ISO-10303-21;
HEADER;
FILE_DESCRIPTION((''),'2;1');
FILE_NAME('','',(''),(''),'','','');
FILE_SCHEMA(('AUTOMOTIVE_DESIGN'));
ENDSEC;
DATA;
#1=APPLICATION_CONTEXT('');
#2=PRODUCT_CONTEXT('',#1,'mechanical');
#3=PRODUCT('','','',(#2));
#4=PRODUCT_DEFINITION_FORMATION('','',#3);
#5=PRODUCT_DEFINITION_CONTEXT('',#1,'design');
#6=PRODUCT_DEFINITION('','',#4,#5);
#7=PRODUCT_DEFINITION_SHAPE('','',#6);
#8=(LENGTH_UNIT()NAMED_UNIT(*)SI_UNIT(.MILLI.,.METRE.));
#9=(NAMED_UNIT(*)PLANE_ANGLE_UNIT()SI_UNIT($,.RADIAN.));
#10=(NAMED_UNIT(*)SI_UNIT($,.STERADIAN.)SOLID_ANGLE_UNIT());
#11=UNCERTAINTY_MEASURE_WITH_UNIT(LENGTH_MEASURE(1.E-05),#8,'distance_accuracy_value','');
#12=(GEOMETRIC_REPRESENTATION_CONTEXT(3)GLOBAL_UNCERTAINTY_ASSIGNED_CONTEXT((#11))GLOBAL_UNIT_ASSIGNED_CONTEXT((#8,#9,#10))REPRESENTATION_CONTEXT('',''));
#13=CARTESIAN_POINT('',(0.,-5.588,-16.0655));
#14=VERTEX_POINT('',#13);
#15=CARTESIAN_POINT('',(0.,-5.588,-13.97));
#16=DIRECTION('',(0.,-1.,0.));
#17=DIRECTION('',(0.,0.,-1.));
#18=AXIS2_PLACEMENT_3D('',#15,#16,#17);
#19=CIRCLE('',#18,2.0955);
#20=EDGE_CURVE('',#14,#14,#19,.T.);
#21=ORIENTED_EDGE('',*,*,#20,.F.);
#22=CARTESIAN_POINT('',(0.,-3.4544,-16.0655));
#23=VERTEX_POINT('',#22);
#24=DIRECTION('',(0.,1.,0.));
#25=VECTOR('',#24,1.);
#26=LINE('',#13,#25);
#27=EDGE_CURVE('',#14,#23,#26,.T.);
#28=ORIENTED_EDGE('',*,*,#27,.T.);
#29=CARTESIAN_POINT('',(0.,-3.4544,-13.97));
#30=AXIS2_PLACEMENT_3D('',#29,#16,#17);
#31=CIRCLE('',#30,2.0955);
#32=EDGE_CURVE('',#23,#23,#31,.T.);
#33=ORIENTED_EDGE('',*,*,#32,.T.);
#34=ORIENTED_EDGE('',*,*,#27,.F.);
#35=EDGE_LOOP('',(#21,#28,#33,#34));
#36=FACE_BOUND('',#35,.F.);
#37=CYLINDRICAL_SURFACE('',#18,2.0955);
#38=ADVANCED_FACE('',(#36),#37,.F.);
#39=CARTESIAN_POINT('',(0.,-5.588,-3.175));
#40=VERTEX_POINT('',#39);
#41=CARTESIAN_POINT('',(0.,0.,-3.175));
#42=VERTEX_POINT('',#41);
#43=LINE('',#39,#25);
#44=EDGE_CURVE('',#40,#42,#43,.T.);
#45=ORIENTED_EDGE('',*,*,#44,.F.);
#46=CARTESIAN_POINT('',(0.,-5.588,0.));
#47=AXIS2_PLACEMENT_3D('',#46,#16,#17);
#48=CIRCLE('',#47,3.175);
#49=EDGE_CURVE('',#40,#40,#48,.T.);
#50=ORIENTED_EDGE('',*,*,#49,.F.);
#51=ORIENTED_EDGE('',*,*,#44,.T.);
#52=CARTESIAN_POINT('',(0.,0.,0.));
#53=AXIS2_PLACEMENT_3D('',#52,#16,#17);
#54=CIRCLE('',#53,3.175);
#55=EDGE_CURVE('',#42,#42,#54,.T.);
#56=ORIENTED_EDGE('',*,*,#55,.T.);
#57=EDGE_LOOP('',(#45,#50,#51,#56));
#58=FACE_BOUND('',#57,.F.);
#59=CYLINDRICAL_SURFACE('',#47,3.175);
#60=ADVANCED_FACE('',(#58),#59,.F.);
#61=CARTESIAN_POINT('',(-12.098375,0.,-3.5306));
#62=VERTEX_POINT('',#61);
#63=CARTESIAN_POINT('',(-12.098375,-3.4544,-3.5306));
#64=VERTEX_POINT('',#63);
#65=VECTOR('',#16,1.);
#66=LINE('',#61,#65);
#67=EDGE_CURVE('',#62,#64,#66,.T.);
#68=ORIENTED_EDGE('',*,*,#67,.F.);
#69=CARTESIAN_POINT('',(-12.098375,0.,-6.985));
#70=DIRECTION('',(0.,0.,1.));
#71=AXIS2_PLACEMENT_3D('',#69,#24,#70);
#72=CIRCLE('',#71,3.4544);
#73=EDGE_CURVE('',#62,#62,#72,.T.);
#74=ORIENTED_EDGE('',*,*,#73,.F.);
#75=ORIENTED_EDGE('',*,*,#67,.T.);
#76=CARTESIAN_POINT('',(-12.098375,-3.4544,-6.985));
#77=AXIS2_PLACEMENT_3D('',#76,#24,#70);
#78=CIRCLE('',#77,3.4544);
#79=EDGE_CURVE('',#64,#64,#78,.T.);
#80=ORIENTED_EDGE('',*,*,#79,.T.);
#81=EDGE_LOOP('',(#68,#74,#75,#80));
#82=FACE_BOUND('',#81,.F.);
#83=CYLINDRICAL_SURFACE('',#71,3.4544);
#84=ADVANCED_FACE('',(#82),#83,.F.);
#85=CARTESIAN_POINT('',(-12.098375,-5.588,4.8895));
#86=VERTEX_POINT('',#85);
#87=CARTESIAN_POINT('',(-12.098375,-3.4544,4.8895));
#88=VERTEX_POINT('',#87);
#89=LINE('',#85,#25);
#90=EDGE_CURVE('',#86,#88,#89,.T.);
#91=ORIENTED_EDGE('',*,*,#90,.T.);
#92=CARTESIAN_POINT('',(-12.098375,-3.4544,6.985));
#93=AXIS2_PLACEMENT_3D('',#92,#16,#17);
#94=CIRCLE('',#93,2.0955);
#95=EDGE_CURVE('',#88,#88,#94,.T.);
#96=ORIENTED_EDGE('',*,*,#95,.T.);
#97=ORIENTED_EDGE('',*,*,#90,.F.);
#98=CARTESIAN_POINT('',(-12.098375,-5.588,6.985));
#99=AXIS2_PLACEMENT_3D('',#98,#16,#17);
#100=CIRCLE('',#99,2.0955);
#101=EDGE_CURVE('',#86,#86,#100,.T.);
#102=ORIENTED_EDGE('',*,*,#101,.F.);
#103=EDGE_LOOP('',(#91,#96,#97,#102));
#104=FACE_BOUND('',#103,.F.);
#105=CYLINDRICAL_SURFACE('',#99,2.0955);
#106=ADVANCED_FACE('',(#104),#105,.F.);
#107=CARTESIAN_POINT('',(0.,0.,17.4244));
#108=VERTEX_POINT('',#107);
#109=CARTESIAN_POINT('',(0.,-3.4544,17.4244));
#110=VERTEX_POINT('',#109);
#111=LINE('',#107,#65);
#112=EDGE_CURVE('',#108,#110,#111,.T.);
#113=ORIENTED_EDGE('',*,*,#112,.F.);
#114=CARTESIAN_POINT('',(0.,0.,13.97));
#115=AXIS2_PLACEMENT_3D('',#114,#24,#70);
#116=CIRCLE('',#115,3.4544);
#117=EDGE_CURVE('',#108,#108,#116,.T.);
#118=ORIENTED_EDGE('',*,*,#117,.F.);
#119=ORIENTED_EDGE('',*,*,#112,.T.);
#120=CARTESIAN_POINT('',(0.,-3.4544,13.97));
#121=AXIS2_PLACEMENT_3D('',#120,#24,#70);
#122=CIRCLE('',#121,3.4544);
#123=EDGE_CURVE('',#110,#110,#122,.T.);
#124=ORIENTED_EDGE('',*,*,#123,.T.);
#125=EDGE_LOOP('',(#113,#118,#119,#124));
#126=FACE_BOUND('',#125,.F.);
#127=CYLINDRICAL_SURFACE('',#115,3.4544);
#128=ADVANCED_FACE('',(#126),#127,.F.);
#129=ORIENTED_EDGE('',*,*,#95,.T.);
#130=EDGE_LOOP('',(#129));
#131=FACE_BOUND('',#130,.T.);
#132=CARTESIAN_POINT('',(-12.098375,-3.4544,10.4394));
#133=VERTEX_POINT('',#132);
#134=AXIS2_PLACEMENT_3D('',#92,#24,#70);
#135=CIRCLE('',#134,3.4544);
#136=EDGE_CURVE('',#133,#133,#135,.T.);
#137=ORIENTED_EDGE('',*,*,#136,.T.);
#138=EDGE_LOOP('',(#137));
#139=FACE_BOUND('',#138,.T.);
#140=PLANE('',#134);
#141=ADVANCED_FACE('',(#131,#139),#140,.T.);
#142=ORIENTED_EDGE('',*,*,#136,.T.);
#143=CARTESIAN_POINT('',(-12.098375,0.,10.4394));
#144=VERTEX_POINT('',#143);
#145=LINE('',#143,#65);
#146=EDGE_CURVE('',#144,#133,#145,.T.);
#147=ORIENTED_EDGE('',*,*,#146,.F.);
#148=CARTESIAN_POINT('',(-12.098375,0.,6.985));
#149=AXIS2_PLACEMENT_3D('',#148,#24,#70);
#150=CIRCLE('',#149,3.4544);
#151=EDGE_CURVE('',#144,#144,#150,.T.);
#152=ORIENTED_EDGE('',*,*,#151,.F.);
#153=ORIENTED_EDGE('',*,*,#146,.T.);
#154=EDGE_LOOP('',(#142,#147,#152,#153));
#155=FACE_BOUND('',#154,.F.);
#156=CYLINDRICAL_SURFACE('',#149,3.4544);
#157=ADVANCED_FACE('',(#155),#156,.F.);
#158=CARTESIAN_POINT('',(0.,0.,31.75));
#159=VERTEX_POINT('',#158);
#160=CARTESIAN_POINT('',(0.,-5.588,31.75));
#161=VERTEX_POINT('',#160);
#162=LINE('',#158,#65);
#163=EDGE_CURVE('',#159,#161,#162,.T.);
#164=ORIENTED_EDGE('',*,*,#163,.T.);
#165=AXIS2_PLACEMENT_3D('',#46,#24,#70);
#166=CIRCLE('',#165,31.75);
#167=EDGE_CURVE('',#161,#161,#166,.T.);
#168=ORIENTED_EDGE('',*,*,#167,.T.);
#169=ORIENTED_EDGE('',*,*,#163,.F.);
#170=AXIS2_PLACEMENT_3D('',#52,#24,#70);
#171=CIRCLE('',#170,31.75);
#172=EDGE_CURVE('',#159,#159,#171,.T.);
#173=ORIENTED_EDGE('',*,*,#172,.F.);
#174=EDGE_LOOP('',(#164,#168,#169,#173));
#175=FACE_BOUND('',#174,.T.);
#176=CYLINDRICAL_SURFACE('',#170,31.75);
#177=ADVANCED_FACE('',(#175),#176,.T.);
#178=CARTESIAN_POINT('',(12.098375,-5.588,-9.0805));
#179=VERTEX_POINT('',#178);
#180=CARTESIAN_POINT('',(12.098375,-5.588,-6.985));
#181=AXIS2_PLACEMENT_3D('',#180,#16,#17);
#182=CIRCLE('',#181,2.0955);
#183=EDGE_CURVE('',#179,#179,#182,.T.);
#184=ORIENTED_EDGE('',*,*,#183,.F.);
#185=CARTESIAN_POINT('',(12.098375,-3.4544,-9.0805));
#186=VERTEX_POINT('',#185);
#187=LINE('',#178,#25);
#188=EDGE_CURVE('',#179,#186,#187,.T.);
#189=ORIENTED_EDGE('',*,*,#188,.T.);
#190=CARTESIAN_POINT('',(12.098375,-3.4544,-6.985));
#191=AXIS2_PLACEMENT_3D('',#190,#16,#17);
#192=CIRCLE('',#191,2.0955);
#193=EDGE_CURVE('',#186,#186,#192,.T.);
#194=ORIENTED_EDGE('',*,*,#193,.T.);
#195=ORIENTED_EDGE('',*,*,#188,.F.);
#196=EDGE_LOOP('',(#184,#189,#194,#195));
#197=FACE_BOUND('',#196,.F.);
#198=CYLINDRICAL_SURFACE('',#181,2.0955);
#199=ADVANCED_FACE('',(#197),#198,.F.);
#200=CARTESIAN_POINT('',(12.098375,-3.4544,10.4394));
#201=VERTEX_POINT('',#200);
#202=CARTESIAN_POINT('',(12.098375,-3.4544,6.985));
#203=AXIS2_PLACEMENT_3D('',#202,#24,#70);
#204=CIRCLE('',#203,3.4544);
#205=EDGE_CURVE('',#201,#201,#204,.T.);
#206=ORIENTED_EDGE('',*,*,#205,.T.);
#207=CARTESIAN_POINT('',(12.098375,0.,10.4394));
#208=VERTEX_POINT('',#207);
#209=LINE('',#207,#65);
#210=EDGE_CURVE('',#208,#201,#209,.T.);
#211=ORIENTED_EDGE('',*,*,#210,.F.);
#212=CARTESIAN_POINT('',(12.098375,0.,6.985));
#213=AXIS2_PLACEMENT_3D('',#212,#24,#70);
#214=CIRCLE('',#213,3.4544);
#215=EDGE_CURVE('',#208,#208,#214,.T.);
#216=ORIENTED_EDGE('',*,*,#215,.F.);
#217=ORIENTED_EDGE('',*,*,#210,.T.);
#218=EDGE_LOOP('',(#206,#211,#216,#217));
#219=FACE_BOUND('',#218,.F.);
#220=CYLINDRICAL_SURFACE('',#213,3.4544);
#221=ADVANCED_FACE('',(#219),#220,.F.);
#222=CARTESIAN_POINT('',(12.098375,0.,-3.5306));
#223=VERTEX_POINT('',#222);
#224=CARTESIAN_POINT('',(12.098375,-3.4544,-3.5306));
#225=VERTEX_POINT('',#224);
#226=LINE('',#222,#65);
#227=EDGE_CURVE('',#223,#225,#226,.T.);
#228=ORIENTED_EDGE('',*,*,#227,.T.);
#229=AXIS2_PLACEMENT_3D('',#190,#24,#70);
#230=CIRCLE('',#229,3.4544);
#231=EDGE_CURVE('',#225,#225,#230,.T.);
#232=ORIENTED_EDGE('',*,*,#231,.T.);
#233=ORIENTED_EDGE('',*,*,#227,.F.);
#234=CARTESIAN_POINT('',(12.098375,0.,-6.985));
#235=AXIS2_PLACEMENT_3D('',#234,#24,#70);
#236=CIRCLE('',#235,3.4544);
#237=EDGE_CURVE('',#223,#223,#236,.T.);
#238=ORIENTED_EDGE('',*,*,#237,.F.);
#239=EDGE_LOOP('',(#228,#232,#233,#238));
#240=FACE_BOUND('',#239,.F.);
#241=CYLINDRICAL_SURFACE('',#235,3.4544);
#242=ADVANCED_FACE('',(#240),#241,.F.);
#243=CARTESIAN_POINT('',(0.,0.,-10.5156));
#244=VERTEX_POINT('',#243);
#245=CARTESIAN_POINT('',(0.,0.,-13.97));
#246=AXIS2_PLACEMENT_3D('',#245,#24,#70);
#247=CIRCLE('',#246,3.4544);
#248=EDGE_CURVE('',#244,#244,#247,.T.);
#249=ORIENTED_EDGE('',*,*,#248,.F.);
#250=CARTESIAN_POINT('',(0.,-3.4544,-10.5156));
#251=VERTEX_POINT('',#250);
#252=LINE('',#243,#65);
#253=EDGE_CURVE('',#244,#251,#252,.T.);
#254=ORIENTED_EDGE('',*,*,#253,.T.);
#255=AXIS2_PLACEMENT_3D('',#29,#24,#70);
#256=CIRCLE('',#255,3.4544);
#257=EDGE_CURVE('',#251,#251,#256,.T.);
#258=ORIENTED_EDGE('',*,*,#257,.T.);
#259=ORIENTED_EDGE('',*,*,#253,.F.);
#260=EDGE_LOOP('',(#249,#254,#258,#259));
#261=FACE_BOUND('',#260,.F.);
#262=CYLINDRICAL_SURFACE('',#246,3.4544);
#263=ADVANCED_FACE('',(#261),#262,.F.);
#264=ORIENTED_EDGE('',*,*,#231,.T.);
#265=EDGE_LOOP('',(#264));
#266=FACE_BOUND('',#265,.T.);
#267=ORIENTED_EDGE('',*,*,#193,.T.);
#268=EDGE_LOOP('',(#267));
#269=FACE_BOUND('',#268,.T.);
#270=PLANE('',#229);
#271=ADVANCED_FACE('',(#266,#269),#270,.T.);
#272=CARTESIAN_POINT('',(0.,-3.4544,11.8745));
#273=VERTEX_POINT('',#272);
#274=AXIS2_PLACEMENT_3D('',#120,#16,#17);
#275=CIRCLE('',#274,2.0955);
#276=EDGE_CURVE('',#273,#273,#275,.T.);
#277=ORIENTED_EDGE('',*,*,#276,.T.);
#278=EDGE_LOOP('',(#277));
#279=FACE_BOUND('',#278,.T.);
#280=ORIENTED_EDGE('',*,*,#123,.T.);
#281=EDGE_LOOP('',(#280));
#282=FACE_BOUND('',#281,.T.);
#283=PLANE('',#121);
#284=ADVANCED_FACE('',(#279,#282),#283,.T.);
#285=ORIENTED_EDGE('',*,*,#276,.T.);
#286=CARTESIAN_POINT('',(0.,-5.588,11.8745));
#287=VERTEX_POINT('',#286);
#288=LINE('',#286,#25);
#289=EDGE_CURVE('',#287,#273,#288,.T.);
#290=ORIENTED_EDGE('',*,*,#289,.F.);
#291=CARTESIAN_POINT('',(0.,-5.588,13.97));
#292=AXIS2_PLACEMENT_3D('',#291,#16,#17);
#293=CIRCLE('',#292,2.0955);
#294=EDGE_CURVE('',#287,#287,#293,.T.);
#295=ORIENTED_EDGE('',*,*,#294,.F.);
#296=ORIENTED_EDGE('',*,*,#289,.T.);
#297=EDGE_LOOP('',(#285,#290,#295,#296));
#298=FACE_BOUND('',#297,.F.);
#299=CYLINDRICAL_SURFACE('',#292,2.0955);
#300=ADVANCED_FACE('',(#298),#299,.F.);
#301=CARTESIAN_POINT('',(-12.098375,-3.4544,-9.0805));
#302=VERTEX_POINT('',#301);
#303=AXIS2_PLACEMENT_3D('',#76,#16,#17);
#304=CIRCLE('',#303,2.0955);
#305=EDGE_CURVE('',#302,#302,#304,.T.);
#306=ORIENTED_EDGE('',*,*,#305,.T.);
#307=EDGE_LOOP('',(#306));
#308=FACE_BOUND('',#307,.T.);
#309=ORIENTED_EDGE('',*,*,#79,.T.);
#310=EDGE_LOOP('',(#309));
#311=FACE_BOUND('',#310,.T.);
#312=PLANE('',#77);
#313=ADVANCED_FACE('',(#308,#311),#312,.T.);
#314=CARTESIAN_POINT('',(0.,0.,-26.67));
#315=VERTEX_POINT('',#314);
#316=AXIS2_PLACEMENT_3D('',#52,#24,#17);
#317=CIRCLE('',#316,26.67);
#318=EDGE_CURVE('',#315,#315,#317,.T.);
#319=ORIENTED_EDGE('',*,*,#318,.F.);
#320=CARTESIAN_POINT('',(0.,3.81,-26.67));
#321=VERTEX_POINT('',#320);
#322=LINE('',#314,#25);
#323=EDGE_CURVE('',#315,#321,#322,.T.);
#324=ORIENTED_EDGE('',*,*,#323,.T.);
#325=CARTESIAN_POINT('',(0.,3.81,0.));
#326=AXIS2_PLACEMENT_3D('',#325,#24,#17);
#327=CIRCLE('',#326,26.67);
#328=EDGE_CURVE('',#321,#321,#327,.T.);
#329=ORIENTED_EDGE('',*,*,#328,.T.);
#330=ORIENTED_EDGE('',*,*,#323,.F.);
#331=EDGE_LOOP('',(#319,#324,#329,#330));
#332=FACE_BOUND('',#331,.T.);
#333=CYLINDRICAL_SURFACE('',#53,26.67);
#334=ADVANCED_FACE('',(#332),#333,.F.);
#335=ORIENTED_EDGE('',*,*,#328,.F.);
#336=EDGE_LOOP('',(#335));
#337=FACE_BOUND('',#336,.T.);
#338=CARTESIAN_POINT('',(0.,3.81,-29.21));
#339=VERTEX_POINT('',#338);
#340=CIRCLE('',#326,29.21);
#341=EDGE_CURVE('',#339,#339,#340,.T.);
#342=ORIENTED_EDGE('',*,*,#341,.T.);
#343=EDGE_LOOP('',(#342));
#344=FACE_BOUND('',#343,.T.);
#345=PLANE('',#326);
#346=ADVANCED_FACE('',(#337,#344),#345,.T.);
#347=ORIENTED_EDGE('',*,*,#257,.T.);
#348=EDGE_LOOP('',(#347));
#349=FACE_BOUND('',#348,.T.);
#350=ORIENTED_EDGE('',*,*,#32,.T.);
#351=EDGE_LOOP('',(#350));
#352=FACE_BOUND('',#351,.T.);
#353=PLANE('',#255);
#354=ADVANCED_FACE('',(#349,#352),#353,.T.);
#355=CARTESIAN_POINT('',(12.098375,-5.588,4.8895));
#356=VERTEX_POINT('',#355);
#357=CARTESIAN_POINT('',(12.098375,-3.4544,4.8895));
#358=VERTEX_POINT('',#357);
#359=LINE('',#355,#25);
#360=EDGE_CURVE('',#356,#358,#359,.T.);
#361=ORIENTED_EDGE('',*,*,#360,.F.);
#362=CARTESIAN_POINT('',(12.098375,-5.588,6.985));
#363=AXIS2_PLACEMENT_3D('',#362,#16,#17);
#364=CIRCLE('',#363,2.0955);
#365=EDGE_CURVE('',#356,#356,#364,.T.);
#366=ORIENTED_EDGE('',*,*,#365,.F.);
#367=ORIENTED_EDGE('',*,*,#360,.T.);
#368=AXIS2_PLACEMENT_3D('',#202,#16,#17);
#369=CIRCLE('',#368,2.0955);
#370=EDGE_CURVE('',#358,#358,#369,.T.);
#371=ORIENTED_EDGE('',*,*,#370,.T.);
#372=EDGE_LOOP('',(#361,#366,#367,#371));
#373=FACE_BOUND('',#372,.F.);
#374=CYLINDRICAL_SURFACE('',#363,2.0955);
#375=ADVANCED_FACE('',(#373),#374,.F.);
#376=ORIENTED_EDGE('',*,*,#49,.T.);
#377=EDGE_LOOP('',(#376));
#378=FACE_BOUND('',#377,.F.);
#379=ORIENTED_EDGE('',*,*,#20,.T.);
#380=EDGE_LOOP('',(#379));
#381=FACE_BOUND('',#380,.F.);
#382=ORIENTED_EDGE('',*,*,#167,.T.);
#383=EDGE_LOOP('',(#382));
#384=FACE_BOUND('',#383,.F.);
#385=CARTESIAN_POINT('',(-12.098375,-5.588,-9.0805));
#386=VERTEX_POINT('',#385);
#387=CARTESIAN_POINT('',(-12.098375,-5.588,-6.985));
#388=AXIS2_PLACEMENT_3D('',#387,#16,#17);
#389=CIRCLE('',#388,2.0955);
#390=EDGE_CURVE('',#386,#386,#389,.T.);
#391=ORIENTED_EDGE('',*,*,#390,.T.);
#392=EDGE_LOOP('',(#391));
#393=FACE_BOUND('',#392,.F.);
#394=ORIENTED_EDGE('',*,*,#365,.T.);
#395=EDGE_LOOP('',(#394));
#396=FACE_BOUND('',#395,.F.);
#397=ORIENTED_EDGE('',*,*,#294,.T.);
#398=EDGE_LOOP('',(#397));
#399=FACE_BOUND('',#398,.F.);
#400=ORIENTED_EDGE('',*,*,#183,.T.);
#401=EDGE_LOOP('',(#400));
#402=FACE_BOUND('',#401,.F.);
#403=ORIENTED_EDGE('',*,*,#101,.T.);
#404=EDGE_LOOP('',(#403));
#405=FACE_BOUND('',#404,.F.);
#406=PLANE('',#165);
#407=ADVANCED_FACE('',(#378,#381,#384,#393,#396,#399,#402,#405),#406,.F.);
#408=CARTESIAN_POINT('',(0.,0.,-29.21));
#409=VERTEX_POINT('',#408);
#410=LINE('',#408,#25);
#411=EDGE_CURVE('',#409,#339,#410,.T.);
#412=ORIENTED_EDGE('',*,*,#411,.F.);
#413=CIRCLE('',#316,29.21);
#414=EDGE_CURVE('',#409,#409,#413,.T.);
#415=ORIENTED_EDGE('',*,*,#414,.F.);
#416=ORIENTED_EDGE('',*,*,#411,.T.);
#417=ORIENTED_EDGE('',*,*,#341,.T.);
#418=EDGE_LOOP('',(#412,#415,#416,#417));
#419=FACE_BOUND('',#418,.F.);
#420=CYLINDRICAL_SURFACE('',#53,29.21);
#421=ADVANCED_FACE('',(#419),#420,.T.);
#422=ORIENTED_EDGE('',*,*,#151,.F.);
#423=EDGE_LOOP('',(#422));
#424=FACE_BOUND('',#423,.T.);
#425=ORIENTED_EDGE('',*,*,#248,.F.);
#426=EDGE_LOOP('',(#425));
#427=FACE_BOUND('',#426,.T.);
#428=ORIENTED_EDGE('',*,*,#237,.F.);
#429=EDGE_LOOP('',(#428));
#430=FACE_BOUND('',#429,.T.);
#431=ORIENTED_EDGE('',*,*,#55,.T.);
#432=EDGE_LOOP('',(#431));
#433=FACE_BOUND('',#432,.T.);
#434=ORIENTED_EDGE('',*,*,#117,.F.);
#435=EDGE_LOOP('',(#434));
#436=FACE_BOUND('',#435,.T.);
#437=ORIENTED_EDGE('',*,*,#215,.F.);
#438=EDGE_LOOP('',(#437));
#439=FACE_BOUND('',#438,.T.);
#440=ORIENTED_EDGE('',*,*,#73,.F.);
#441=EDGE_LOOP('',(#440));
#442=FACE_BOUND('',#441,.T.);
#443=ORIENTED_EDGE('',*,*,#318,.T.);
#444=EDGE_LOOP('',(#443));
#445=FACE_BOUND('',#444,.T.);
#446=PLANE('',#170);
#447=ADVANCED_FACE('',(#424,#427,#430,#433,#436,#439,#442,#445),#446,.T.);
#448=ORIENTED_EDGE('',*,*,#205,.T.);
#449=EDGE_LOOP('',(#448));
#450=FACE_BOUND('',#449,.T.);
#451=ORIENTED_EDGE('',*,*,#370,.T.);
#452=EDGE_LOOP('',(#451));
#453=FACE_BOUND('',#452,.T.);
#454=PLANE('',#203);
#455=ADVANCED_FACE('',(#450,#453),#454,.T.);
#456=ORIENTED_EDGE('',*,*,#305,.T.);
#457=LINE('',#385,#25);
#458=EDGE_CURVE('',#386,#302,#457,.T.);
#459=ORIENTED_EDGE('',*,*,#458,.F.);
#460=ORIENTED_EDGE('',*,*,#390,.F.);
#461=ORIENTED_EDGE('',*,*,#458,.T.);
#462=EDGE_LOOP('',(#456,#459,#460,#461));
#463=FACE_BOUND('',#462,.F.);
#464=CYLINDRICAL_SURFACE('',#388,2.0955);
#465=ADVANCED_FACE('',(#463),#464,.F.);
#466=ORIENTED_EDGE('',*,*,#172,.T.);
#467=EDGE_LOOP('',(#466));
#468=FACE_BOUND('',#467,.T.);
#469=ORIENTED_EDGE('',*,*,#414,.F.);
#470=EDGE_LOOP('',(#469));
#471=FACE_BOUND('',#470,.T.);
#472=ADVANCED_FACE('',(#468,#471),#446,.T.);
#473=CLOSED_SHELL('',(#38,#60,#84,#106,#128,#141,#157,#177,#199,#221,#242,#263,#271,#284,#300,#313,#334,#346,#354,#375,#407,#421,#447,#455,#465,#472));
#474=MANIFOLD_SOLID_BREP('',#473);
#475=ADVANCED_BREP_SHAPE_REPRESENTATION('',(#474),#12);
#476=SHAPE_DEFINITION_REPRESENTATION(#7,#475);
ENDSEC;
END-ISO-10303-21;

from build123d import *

# Parameters (mm, degrees)
SKETCH1_R           = 31.75
BOSS_EXTRUDE1_DEPTH = 5.588
SKETCH2_R           = 2.0955
CUT_EXTRUDE1_DEPTH  = 7.62
SKETCH5_R           = 3.4544
CUT_EXTRUDE2_DEPTH  = 3.4544
SKETCH6_R           = 3.175
CUT_EXTRUDE3_DEPTH  = 46.247660094
SKETCH9_R           = 29.21
SKETCH9_R_2         = 26.67
BOSS_EXTRUDE3_DEPTH = 3.81


with BuildPart() as part:
    # Sketch1 → Boss-Extrude1 (new body)
    with BuildSketch(Plane(origin=(0, 0, 0), x_dir=(1, 0, 0), z_dir=(0, 1, 0))):
        with Locations(Location((0, 0, 0), (0, 0, 270))):
            Circle(SKETCH1_R)
    extrude(amount=-BOSS_EXTRUDE1_DEPTH)

    # Sketch2 → Cut-Extrude1 (cut)
    with BuildSketch(Plane.XZ.offset(5.588)):
        with Locations(Location((0, 13.97, 0), (0, 0, 270))):
            Circle(SKETCH2_R)
        with Locations(Location((12.098374891, 6.985, 0), (0, 0, 270))):
            Circle(SKETCH2_R)
        with Locations(Location((12.098374891, -6.985, 0), (0, 0, 270))):
            Circle(SKETCH2_R)
        with Locations(Location((0, -13.97, 0), (0, 0, 270))):
            Circle(SKETCH2_R)
        with Locations(Location((-12.098374891, -6.985, 0), (0, 0, 270))):
            Circle(SKETCH2_R)
        with Locations(Location((-12.098374891, 6.985, 0), (0, 0, 270))):
            Circle(SKETCH2_R)
    extrude(amount=-CUT_EXTRUDE1_DEPTH, mode=Mode.SUBTRACT)

    # Sketch5 → Cut-Extrude2 (cut)
    with BuildSketch(Plane(origin=(0, 0, 0), x_dir=(1, 0, 0), z_dir=(0, 1, 0))):
        with Locations(Location((12.098374891, -6.985, 0), (0, 0, 270))):
            Circle(SKETCH5_R)
        with Locations(Location((0, -13.97, 0), (0, 0, 270))):
            Circle(SKETCH5_R)
        with Locations(Location((-12.098374891, -6.985, 0), (0, 0, 270))):
            Circle(SKETCH5_R)
        with Locations(Location((-12.098374891, 6.985, 0), (0, 0, 270))):
            Circle(SKETCH5_R)
        with Locations(Location((0, 13.97, 0), (0, 0, 270))):
            Circle(SKETCH5_R)
        with Locations(Location((12.098374891, 6.985, 0), (0, 0, 270))):
            Circle(SKETCH5_R)
    extrude(amount=-CUT_EXTRUDE2_DEPTH, mode=Mode.SUBTRACT)

    # Sketch6 → Cut-Extrude3 (cut, through all)
    with BuildSketch(Plane.XZ.offset(5.588)):
        with Locations(Location((0, 0, 0), (0, 0, 270))):
            Circle(SKETCH6_R)
    extrude(amount=-CUT_EXTRUDE3_DEPTH, mode=Mode.SUBTRACT)

    # Sketch9 → Boss-Extrude3 (add)
    with BuildSketch(Plane(origin=(0, 0, 0), x_dir=(1, 0, 0), z_dir=(0, 1, 0))):
        with Locations(Location((0, 0, 0), (0, 0, 90))):
            Circle(SKETCH9_R)
        with Locations(Location((0, 0, 0), (0, 0, 90))):
            Circle(SKETCH9_R_2, mode=Mode.SUBTRACT)
    extrude(amount=BOSS_EXTRUDE3_DEPTH)


solid = part.part
